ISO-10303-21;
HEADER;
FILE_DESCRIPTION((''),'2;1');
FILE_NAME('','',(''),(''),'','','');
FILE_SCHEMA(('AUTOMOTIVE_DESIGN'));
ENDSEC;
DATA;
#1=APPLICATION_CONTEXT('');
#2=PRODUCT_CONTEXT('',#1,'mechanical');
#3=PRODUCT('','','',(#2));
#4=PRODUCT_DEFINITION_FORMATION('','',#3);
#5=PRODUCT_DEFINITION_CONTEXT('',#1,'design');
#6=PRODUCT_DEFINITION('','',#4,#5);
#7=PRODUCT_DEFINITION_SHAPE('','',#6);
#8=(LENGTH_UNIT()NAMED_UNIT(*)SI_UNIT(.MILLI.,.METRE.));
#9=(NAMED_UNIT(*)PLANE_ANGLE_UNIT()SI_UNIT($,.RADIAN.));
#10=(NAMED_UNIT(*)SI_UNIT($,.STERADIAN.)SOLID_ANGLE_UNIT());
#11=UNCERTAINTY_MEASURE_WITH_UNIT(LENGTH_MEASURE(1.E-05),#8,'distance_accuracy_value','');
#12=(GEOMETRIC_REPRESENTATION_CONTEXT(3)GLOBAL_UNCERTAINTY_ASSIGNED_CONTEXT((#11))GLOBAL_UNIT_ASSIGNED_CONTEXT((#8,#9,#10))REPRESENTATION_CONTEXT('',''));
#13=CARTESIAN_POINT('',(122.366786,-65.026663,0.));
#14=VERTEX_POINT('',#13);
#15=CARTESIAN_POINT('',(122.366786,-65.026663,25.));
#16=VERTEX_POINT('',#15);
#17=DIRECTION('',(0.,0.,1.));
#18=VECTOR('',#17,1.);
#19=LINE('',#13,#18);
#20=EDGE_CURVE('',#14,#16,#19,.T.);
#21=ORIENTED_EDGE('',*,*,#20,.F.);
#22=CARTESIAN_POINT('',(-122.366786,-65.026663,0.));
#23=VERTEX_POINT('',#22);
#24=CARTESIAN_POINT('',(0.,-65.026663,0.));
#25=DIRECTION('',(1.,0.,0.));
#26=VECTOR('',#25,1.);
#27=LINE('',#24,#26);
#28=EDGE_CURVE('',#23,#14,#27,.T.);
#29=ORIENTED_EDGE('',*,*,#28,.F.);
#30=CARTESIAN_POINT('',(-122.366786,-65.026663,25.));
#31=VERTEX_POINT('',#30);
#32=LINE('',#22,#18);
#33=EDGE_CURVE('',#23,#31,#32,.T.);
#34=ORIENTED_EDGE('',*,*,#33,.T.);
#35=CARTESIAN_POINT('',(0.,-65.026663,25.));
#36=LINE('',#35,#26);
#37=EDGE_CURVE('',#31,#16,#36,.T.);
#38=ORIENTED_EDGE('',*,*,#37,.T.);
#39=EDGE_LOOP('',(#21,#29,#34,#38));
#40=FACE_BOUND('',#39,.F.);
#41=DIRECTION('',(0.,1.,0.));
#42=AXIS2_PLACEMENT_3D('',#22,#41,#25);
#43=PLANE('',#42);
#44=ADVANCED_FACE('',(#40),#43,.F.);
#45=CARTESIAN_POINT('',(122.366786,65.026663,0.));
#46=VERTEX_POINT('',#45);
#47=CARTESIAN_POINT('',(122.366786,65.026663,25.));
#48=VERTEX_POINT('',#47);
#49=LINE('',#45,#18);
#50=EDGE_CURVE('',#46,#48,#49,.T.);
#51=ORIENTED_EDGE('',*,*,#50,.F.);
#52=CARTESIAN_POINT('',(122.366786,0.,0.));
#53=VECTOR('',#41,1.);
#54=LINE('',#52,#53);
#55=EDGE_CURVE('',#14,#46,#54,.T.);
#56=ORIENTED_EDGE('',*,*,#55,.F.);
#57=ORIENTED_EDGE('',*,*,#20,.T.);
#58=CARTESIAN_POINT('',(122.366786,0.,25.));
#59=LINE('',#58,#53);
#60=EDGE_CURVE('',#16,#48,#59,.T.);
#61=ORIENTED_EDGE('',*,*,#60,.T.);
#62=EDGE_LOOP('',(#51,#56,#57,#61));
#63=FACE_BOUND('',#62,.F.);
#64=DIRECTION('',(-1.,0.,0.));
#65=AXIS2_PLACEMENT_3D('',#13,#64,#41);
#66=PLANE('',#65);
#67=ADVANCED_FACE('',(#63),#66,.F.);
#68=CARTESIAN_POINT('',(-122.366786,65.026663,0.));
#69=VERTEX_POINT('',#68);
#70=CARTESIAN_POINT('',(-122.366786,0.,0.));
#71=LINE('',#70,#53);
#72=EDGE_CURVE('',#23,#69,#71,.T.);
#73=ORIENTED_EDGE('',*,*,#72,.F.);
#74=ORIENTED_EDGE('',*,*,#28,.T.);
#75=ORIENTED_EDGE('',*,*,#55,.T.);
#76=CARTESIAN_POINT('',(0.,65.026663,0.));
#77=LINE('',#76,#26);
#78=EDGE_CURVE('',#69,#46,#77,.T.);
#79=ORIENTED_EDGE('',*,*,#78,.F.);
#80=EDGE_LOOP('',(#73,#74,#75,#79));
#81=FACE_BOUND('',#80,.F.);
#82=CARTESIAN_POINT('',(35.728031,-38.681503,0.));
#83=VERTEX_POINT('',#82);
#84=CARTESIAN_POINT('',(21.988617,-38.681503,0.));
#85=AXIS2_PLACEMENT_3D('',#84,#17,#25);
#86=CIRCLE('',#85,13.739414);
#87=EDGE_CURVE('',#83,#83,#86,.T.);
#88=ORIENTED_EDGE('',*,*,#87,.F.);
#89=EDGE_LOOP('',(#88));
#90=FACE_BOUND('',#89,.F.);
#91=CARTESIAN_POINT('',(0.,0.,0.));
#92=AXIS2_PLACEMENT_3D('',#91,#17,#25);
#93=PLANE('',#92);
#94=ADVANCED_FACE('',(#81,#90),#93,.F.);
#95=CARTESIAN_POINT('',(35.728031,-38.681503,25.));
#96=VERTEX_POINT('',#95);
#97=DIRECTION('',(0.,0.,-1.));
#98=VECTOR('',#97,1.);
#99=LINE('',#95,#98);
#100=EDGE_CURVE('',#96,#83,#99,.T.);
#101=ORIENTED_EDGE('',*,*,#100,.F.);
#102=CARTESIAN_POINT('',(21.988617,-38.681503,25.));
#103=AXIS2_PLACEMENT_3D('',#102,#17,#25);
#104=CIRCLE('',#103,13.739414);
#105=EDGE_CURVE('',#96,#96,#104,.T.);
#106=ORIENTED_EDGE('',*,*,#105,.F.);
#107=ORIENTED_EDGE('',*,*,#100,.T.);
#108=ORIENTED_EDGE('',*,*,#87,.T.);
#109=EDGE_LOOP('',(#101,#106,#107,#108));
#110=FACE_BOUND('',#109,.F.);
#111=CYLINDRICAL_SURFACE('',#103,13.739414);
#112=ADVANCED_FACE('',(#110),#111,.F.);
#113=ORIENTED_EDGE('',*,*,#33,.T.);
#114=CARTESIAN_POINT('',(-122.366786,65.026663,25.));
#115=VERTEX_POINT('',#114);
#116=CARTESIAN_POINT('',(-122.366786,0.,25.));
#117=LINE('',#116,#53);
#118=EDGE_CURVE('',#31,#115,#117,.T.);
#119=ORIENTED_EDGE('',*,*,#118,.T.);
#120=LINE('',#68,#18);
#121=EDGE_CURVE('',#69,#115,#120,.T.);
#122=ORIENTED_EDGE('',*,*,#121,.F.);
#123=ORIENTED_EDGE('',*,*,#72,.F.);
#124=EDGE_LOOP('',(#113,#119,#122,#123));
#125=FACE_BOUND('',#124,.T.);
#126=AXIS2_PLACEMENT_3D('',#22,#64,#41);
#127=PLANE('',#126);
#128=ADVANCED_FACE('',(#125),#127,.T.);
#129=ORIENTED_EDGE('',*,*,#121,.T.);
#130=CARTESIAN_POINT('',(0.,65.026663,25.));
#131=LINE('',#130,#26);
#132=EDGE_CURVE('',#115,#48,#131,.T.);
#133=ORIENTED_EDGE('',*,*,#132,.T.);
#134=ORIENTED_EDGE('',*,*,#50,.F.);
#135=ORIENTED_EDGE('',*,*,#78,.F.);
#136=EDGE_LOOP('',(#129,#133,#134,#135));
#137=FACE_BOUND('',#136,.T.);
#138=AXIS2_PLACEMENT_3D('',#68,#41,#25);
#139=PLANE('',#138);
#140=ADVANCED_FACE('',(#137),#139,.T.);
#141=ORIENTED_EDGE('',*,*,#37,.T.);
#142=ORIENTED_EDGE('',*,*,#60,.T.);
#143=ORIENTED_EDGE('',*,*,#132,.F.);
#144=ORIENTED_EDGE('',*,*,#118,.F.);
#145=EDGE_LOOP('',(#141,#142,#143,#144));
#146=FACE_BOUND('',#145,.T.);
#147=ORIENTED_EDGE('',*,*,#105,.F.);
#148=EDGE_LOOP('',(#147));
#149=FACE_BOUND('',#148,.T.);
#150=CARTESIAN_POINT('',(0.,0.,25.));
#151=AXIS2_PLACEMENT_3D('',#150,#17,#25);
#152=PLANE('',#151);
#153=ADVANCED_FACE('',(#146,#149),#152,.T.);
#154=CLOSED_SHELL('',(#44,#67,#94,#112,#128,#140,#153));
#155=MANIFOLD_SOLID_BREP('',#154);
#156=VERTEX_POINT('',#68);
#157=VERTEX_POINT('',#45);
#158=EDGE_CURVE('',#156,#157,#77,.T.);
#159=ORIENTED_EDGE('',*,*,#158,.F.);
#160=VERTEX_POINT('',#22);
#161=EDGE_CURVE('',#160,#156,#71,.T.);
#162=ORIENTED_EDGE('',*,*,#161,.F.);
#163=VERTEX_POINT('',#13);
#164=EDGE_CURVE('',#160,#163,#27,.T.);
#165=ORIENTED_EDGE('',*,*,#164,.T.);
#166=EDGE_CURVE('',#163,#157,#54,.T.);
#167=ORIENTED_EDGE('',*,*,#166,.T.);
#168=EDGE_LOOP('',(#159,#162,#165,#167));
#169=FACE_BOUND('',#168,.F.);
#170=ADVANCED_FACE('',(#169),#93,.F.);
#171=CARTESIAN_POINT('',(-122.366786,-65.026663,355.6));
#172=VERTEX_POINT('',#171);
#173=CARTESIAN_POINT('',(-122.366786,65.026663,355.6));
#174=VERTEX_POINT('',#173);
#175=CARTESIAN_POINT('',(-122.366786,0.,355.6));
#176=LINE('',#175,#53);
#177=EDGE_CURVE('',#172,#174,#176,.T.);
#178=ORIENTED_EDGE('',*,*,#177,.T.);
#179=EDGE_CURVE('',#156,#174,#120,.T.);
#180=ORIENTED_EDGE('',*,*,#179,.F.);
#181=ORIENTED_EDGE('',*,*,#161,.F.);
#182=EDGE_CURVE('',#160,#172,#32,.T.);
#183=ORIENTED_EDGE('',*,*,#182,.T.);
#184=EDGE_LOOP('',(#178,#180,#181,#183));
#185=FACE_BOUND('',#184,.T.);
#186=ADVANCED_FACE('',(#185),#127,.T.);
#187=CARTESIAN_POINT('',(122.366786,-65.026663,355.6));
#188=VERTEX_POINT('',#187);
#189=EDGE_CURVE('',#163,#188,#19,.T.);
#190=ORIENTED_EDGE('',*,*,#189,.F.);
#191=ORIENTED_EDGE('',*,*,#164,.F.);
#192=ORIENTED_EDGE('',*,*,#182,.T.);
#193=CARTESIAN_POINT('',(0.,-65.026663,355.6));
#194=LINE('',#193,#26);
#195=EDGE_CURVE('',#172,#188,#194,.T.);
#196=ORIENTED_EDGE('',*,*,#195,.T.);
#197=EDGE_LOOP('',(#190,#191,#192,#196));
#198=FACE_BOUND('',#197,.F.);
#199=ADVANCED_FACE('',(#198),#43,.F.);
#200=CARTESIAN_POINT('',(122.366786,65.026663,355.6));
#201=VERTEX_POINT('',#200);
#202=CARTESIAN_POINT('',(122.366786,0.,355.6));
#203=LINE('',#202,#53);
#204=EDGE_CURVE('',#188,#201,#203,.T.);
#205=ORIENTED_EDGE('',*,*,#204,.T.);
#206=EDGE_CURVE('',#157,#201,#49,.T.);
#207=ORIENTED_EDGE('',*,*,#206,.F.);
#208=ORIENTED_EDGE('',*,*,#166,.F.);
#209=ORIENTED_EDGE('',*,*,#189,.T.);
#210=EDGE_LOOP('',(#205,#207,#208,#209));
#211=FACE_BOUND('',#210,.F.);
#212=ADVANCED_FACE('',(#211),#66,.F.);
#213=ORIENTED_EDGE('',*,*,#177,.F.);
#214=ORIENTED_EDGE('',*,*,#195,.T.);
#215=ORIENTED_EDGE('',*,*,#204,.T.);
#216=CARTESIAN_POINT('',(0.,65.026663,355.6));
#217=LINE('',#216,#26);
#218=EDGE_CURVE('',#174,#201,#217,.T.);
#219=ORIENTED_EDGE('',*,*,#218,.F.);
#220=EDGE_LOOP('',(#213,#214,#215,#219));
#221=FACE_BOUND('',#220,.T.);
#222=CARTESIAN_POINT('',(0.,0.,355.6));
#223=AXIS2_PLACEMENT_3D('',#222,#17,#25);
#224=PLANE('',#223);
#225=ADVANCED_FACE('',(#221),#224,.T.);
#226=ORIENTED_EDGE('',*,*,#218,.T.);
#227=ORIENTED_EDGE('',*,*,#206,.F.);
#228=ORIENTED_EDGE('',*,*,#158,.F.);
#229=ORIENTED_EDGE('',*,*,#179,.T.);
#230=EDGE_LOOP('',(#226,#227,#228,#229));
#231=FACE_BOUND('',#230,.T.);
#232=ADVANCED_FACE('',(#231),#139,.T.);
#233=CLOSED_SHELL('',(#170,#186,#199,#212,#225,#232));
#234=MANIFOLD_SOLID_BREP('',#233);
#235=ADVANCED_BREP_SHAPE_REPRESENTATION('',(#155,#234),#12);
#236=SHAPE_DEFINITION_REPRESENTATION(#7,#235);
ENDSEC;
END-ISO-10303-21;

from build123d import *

# Parameters (mm, degrees)
F0_W     = 244.733572
F0_H     = 130.053326
F1_DEPTH = 25
F2_R     = 19.389288
F3_DEPTH = 25
F4_R     = 13.739414
F5_DEPTH = 25.24714
F6_DEPTH = 355.6


with BuildPart() as f1:
    # F0 (on Top) → F1 (new body)
    with BuildSketch(Plane.XY):
        Rectangle(F0_W, F0_H)
    extrude(amount=F1_DEPTH)

    # F2 (on face) → F3 (join)
    with BuildSketch(Plane.XY.offset(25)):
        with Locations((22.206802, -37.867222)):
            Circle(F2_R)
    extrude(amount=-F3_DEPTH)

    # F4 (on face) → F5 (cut)
    with BuildSketch(Plane.XY.offset(25)):
        with Locations((21.988617, -38.681503)):
            Circle(F4_R)
    extrude(amount=-F5_DEPTH, mode=Mode.SUBTRACT)


with BuildPart() as f6:
    # F0 (on Top) → F6 (new body)
    with BuildSketch(Plane.XY):
        Rectangle(F0_W, F0_H)
    extrude(amount=F6_DEPTH)


solid = Compound([f1.part, f6.part])
